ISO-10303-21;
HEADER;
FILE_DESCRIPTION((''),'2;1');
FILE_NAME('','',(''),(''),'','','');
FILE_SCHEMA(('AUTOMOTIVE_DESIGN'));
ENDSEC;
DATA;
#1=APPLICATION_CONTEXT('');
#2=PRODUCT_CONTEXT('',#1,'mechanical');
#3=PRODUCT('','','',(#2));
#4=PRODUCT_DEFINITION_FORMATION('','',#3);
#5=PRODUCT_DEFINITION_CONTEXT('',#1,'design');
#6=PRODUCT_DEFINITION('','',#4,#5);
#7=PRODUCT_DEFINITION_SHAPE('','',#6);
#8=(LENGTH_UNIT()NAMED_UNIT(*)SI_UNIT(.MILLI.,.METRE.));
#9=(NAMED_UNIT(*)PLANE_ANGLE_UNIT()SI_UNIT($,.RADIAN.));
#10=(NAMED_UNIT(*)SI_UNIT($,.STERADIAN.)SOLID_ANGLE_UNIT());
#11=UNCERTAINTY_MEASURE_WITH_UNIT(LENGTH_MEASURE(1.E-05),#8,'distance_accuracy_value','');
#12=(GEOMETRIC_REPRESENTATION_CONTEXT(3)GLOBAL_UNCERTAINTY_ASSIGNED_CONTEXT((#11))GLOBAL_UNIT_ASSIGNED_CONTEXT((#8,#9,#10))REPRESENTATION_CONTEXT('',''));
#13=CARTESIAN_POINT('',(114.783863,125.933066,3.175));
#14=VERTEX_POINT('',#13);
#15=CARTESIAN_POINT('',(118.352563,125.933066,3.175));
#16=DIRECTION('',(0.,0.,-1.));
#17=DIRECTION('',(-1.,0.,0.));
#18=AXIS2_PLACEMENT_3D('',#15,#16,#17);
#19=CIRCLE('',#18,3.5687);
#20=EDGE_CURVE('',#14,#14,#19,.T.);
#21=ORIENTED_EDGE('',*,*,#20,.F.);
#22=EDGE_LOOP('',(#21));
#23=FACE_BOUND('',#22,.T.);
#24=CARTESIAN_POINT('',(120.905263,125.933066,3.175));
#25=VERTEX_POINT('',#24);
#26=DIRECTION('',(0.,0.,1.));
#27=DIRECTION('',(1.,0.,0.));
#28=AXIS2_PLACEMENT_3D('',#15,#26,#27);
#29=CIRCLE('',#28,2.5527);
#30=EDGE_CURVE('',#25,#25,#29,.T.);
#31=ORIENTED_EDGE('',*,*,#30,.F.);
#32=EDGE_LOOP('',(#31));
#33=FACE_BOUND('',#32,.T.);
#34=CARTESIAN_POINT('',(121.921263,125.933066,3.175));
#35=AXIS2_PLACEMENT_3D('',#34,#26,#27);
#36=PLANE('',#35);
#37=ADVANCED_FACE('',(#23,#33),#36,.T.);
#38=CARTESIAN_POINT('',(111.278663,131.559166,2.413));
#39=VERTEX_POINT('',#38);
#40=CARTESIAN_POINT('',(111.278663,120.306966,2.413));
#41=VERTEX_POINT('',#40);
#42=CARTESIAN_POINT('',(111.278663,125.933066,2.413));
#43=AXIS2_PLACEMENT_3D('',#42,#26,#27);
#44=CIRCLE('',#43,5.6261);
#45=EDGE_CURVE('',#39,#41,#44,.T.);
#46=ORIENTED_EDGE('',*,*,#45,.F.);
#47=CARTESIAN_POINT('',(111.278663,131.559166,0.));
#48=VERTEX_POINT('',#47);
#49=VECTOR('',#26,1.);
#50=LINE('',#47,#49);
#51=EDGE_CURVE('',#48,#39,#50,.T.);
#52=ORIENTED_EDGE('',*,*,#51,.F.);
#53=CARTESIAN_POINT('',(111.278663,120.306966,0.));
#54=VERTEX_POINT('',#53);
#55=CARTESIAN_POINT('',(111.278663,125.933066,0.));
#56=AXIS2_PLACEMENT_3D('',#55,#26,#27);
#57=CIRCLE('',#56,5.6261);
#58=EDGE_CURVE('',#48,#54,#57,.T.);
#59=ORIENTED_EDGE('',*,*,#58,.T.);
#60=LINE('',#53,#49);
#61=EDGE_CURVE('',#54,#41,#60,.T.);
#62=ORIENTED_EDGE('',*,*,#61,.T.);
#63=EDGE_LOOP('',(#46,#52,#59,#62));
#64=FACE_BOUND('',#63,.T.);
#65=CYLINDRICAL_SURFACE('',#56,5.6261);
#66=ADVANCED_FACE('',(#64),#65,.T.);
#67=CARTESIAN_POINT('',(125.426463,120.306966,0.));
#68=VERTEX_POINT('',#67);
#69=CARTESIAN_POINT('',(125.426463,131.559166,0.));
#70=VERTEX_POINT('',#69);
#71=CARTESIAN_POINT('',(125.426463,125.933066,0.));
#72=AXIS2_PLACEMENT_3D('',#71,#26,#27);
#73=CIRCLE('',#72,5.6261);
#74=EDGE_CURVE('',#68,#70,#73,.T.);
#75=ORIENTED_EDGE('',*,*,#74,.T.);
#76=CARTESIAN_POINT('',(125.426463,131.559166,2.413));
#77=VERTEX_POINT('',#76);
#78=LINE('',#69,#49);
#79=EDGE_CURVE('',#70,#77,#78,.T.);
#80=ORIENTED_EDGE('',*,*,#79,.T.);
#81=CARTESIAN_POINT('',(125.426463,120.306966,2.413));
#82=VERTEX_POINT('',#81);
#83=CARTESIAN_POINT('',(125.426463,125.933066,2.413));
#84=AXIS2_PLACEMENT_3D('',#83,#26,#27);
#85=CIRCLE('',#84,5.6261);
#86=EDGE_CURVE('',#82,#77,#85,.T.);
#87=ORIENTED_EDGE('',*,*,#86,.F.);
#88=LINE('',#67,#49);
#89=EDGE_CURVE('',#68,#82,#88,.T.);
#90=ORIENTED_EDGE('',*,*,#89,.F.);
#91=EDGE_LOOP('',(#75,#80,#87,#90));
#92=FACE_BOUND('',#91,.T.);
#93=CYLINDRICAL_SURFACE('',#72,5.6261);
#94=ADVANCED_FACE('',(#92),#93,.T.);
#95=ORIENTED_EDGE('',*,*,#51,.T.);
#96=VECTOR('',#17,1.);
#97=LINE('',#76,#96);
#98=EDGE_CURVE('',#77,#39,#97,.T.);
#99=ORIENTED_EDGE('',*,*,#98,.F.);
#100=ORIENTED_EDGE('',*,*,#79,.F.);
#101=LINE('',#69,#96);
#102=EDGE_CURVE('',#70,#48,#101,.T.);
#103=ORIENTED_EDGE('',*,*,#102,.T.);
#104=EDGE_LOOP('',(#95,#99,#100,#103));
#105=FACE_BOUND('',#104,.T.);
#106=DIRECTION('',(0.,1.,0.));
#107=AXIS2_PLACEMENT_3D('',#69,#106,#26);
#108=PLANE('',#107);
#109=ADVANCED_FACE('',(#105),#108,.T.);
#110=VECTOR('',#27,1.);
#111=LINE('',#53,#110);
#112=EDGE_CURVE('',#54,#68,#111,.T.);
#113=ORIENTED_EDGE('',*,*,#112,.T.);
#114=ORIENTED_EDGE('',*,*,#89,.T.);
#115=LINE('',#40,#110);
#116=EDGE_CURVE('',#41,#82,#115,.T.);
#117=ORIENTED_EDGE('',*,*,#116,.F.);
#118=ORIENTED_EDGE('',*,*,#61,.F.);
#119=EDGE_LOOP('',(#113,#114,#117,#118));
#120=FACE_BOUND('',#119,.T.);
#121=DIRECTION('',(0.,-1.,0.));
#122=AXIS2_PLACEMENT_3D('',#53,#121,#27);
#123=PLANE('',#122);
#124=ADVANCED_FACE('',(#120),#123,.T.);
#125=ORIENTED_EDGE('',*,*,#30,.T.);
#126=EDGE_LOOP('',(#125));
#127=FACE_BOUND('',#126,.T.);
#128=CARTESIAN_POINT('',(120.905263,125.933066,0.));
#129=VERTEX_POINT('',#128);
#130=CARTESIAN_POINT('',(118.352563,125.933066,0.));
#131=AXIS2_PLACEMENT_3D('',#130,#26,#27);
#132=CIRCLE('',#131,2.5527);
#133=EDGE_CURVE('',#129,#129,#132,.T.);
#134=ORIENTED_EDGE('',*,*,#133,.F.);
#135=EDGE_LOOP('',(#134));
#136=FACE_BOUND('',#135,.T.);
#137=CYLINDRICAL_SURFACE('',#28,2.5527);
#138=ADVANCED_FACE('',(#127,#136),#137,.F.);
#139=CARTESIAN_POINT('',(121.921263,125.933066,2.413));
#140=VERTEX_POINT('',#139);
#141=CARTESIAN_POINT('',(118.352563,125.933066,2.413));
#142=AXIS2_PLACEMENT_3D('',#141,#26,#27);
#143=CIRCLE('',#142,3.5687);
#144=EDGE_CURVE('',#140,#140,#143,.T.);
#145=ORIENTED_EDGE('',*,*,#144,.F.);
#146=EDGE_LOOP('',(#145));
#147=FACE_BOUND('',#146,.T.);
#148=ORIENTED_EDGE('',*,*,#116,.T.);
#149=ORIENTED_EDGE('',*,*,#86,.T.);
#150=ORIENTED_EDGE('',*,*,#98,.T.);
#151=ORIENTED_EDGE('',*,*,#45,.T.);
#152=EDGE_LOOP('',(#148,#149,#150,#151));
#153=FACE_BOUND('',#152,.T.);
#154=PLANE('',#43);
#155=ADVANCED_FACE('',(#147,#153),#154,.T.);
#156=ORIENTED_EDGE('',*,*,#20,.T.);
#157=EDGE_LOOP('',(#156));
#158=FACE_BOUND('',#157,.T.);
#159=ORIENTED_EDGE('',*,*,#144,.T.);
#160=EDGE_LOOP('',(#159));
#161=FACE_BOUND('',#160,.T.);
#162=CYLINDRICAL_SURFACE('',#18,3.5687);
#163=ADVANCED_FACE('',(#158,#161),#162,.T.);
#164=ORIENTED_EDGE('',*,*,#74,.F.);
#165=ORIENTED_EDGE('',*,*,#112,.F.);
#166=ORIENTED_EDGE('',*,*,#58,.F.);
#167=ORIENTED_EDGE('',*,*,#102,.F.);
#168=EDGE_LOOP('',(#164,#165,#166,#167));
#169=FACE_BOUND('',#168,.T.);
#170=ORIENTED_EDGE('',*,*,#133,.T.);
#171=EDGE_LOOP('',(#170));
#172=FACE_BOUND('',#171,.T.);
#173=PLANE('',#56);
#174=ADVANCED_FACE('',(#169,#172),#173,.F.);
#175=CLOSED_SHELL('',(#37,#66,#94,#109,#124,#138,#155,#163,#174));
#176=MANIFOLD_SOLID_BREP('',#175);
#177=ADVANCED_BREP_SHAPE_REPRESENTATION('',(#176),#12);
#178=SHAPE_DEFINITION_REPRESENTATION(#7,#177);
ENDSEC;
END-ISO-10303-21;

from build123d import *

# Parameters (mm, degrees)
BOSS_EXTRUDE1_DEPTH         = 2.413
SKETCH2_W                   = 3.5687
SKETCH2_H                   = 0.762
F_1_4_20_TAPPED_HOLE1_D     = 5.1054
F_1_4_20_TAPPED_HOLE1_DEPTH = 16.51
F_1_4_20_TAPPED_HOLE1_TIP   = 1.533816902


with BuildPart() as part:
    # Sketch1 → Boss-Extrude1 (new body)
    with BuildSketch(Plane.XY.offset(2.413)):
        with BuildLine():
            Line((111.27866266, 120.306965896), (125.42646266, 120.306965896))
            ThreePointArc((125.42646266, 120.306965896), (131.05256266, 125.933065896), (125.42646266, 131.559165896))
            Line((125.42646266, 131.559165896), (111.27866266, 131.559165896))
            ThreePointArc((111.27866266, 131.559165896), (105.65256266, 125.933065896), (111.27866266, 120.306965896))
        make_face()
    extrude(amount=-BOSS_EXTRUDE1_DEPTH)

    # Sketch2 → Revolve1 (revolve)
    with BuildSketch(Plane.XZ.offset(-125.933065896), mode=Mode.PRIVATE) as revolve1_sk:
        with Locations((120.13691266, 2.794)):
            Rectangle(SKETCH2_W, SKETCH2_H)
    revolve(revolve1_sk.sketch.rotate(Axis((118.35256266, 125.933065896, 3.175), (0, 0, -1)), 180), axis=Axis((118.35256266, 125.933065896, 3.175), (0, 0, -1)))

    # 1/4-20 Tapped Hole1
    with Locations(Plane.XY.offset(3.175)):
        with Locations((118.35256266, 125.933065896)):
            Hole(F_1_4_20_TAPPED_HOLE1_D / 2, depth=F_1_4_20_TAPPED_HOLE1_DEPTH)
            with Locations((0, 0, -(F_1_4_20_TAPPED_HOLE1_DEPTH + F_1_4_20_TAPPED_HOLE1_TIP / 2))):  # 118° drill point
                Cone(0, F_1_4_20_TAPPED_HOLE1_D / 2, F_1_4_20_TAPPED_HOLE1_TIP, mode=Mode.SUBTRACT)


solid = part.part
